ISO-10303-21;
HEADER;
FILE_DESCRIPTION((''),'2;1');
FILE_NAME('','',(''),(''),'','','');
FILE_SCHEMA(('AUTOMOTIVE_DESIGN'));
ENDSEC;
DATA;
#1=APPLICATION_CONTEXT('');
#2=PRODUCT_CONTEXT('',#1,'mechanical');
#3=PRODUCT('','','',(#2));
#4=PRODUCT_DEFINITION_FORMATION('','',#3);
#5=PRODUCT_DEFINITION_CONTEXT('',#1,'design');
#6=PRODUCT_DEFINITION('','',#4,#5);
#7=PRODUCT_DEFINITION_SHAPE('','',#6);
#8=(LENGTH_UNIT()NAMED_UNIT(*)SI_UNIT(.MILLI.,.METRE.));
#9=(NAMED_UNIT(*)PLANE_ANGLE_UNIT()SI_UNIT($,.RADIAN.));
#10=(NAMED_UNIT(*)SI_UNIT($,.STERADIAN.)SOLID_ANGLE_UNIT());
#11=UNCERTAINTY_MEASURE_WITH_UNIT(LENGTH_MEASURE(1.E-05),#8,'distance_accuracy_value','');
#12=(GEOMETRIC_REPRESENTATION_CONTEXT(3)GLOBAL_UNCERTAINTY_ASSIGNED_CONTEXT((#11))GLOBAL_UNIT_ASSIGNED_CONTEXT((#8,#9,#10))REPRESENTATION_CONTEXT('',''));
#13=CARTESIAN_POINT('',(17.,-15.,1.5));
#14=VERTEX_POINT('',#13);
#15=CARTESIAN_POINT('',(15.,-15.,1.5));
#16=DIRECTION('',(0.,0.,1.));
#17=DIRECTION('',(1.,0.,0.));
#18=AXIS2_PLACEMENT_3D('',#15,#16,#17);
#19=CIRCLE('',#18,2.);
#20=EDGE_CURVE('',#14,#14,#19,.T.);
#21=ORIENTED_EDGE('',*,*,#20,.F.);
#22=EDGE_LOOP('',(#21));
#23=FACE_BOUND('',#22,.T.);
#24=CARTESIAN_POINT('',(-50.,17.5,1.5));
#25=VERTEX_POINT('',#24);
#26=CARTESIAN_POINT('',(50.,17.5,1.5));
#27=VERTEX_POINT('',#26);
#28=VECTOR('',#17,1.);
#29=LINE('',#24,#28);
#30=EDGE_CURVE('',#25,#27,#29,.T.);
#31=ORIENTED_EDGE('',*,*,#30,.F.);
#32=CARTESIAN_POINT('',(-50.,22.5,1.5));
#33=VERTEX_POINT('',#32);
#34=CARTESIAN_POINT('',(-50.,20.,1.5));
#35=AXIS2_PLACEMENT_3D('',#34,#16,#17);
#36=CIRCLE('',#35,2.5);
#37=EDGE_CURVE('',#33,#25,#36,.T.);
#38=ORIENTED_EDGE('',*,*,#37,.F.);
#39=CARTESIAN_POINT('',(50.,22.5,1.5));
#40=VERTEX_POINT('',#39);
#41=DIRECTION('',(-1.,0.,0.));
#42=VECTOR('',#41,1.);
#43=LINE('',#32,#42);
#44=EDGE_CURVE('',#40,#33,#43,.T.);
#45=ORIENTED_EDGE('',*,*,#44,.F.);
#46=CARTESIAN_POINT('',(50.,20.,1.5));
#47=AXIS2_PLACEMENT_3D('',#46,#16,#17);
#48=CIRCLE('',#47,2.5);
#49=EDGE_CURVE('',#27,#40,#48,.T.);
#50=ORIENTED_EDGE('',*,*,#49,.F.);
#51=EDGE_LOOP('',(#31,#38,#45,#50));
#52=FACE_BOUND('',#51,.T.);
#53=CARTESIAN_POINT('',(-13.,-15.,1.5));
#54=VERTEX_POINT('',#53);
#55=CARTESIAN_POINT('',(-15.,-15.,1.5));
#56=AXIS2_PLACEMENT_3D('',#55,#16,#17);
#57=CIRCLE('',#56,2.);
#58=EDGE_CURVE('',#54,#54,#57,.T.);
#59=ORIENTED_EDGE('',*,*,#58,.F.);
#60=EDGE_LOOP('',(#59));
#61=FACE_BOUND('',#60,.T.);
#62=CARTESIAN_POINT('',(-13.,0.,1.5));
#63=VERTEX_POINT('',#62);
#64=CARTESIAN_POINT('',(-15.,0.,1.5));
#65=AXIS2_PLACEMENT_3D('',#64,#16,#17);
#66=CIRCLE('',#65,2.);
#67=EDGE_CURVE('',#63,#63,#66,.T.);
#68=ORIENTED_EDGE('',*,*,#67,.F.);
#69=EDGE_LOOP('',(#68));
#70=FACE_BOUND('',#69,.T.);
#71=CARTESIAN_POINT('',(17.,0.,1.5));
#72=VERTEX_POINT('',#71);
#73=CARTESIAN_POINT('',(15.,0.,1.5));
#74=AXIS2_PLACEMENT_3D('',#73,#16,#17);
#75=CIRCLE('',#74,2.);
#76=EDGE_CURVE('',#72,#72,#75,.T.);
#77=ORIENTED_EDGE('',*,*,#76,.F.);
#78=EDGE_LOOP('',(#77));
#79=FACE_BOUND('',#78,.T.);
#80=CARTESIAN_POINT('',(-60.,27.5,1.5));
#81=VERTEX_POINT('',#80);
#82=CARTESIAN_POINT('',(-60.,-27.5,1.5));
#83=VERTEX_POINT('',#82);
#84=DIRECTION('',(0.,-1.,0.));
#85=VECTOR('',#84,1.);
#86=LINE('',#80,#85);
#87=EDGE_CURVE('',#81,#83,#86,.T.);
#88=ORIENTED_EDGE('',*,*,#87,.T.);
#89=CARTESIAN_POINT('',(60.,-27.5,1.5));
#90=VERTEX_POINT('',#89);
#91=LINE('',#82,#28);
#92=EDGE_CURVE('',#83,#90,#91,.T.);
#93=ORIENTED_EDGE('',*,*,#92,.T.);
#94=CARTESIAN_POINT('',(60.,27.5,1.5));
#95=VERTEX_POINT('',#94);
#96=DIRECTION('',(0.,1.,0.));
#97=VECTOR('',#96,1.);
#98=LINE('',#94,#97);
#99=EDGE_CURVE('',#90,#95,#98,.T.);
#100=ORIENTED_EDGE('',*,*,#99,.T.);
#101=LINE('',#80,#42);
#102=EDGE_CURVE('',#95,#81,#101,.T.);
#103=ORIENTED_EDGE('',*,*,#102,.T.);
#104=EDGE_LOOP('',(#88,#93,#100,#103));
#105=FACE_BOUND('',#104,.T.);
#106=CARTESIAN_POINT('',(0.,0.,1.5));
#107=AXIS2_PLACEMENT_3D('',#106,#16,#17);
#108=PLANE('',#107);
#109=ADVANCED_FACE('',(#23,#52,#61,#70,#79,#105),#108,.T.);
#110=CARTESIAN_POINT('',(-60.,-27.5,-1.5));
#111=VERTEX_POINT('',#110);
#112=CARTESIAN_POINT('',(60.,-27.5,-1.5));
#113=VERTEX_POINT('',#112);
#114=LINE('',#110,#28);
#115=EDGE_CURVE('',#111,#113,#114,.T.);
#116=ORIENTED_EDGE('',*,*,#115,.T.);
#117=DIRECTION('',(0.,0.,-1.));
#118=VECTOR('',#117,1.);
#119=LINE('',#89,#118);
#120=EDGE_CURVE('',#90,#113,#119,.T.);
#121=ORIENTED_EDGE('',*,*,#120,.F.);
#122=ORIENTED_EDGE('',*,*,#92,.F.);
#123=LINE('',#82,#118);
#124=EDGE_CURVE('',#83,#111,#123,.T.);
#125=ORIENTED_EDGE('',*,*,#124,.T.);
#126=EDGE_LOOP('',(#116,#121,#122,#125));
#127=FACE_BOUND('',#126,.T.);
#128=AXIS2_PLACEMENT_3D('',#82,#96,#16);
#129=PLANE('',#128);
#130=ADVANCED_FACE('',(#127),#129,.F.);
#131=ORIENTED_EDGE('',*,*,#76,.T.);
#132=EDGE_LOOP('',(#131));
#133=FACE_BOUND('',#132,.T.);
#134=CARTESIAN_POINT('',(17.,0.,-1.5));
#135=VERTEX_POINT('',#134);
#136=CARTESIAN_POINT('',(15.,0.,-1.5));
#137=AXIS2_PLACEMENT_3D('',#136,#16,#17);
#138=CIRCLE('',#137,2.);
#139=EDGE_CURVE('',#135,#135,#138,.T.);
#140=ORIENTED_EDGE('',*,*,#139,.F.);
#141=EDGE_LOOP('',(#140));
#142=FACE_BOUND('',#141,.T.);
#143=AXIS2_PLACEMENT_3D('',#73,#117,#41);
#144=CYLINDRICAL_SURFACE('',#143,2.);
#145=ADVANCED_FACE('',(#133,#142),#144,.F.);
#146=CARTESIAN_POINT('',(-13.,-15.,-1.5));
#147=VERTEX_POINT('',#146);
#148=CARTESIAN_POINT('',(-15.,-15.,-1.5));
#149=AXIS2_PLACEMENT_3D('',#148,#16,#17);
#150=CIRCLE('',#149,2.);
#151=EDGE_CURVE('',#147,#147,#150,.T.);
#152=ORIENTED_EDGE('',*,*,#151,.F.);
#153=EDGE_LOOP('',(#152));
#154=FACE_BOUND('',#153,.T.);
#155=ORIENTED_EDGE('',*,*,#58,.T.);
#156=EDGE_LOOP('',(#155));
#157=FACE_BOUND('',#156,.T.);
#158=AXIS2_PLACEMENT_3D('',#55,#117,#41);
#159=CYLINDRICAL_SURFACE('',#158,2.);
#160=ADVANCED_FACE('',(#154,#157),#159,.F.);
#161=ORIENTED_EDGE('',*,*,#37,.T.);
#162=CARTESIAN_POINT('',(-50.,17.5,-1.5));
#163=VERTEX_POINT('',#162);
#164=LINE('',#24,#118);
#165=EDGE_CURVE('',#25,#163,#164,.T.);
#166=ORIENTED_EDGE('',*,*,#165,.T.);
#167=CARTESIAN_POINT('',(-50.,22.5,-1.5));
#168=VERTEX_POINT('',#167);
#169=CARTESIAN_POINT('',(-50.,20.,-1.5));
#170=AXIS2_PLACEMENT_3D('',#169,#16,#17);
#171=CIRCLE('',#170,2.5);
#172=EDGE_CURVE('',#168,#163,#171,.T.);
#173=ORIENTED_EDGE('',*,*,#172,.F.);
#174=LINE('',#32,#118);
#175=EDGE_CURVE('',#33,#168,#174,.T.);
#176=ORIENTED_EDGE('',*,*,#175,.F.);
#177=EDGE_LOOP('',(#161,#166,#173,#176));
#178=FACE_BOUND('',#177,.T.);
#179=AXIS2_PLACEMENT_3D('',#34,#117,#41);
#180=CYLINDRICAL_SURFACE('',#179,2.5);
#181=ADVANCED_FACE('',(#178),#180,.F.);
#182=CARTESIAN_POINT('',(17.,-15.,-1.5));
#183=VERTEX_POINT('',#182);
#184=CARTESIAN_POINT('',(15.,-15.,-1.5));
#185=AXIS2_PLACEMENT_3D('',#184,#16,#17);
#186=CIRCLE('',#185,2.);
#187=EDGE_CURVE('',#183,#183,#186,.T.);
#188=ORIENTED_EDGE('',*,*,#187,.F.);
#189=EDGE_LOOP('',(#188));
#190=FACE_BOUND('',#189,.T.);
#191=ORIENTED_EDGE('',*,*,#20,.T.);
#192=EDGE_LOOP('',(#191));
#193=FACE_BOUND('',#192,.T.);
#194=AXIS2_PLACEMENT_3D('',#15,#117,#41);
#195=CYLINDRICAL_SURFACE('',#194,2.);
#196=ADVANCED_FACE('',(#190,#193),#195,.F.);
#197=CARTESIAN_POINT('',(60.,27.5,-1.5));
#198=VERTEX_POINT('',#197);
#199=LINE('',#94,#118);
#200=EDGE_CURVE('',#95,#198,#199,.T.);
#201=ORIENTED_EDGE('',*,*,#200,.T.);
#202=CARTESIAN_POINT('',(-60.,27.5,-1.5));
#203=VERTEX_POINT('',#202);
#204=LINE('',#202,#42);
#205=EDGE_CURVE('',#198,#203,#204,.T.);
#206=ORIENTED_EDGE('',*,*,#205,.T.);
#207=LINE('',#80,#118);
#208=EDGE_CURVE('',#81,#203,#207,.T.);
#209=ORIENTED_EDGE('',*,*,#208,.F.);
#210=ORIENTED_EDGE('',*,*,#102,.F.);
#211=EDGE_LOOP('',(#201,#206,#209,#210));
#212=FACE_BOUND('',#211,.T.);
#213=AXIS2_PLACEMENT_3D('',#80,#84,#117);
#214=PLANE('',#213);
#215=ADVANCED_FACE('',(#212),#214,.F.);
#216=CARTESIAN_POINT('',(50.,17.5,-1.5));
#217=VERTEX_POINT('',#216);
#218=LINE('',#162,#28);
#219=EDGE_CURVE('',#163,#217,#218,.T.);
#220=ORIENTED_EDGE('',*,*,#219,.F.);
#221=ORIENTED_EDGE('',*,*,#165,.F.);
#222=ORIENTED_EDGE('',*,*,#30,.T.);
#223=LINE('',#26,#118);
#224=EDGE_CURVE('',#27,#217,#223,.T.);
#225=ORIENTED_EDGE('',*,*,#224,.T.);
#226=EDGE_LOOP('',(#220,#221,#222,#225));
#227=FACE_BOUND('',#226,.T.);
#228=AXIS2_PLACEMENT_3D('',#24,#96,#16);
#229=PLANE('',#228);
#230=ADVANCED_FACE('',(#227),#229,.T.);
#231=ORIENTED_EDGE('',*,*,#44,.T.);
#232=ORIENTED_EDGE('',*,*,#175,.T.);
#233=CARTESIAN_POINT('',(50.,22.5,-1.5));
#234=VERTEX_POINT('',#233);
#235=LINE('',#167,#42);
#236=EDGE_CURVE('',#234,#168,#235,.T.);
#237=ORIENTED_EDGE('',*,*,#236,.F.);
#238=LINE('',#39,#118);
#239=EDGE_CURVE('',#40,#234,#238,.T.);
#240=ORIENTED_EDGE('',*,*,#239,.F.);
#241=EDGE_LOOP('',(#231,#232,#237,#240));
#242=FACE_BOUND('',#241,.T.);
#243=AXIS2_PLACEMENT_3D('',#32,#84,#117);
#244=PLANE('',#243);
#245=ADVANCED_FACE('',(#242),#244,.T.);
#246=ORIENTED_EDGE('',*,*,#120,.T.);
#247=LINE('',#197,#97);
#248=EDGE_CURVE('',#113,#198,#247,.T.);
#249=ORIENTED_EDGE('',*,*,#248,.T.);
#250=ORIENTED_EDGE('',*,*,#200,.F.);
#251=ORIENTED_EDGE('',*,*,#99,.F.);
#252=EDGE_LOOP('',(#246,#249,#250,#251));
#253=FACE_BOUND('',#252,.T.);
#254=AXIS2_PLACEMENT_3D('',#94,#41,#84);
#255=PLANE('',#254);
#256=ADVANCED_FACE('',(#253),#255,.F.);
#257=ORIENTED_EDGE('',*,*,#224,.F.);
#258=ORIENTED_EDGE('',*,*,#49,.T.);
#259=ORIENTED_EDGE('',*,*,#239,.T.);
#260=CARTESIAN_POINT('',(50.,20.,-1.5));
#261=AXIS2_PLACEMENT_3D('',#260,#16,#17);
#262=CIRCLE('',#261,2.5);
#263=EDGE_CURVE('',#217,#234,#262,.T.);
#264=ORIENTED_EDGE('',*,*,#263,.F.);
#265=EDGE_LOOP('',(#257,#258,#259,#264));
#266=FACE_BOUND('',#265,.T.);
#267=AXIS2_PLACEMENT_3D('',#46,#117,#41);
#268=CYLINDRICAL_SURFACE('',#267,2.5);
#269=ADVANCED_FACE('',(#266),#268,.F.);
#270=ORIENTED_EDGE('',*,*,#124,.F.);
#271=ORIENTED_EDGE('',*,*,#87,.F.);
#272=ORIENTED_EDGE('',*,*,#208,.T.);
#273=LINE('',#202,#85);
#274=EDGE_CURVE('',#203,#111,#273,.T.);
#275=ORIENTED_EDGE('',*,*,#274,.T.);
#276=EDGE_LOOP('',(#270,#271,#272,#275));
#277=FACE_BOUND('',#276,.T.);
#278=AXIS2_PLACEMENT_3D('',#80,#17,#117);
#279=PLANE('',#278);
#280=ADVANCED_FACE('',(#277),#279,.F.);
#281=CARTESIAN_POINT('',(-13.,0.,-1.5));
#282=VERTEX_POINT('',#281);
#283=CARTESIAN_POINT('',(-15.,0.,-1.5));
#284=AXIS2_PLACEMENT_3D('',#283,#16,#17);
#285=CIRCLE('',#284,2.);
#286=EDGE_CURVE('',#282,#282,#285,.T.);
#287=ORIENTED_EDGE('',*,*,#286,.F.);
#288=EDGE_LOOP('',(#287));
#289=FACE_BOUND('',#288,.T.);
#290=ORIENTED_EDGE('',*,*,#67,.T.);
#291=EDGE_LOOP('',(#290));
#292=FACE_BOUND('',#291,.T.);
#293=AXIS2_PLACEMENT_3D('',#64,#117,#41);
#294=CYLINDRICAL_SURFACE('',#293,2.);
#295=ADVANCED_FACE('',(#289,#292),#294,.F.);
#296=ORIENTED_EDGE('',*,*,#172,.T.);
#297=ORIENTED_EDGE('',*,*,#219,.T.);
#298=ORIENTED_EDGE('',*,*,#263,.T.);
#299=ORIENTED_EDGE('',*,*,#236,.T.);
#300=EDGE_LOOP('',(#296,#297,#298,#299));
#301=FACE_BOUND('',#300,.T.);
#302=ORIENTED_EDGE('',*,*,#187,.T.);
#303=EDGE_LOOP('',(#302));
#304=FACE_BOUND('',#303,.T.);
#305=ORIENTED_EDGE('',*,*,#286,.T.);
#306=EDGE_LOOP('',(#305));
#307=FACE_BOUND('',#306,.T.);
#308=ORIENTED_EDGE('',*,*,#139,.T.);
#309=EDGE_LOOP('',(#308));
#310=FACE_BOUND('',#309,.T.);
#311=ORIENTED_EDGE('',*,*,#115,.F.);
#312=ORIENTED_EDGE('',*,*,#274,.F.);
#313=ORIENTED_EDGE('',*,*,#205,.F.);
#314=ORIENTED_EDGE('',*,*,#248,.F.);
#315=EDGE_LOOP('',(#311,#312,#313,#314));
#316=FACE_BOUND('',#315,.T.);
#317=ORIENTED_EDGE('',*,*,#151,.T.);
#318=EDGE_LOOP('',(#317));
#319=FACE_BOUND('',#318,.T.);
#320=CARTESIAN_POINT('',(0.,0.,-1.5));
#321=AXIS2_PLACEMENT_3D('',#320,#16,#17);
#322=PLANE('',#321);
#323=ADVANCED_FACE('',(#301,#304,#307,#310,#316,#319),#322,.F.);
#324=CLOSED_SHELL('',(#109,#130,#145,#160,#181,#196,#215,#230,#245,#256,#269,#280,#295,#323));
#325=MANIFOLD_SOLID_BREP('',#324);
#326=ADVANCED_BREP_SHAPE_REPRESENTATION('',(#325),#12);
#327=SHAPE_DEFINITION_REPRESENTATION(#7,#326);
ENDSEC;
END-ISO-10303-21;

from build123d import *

# Parameters (mm, degrees)
SKETCH1_W           = 120
SKETCH1_H           = 55
SKETCH1_R           = 2
BOSS_EXTRUDE1_DEPTH = 1.5


with BuildPart() as part:
    # Sketch1 → Boss-Extrude1 (new body, symmetric)
    with BuildSketch(Plane.XY):
        Rectangle(SKETCH1_W, SKETCH1_H)
        with Locations((-15, 0)):
            Circle(SKETCH1_R, mode=Mode.SUBTRACT)
        with Locations((15, 0)):
            Circle(SKETCH1_R, mode=Mode.SUBTRACT)
        with Locations((15, -15)):
            Circle(SKETCH1_R, mode=Mode.SUBTRACT)
        with Locations((-15, -15)):
            Circle(SKETCH1_R, mode=Mode.SUBTRACT)
        with BuildLine():
            Line((-50, 22.5), (50, 22.5))
            ThreePointArc((50, 22.5), (52.5, 20), (50, 17.5))
            Line((50, 17.5), (-50, 17.5))
            ThreePointArc((-50, 17.5), (-52.5, 20), (-50, 22.5))
        make_face(mode=Mode.SUBTRACT)
    extrude(amount=BOSS_EXTRUDE1_DEPTH, both=True)


solid = part.part
